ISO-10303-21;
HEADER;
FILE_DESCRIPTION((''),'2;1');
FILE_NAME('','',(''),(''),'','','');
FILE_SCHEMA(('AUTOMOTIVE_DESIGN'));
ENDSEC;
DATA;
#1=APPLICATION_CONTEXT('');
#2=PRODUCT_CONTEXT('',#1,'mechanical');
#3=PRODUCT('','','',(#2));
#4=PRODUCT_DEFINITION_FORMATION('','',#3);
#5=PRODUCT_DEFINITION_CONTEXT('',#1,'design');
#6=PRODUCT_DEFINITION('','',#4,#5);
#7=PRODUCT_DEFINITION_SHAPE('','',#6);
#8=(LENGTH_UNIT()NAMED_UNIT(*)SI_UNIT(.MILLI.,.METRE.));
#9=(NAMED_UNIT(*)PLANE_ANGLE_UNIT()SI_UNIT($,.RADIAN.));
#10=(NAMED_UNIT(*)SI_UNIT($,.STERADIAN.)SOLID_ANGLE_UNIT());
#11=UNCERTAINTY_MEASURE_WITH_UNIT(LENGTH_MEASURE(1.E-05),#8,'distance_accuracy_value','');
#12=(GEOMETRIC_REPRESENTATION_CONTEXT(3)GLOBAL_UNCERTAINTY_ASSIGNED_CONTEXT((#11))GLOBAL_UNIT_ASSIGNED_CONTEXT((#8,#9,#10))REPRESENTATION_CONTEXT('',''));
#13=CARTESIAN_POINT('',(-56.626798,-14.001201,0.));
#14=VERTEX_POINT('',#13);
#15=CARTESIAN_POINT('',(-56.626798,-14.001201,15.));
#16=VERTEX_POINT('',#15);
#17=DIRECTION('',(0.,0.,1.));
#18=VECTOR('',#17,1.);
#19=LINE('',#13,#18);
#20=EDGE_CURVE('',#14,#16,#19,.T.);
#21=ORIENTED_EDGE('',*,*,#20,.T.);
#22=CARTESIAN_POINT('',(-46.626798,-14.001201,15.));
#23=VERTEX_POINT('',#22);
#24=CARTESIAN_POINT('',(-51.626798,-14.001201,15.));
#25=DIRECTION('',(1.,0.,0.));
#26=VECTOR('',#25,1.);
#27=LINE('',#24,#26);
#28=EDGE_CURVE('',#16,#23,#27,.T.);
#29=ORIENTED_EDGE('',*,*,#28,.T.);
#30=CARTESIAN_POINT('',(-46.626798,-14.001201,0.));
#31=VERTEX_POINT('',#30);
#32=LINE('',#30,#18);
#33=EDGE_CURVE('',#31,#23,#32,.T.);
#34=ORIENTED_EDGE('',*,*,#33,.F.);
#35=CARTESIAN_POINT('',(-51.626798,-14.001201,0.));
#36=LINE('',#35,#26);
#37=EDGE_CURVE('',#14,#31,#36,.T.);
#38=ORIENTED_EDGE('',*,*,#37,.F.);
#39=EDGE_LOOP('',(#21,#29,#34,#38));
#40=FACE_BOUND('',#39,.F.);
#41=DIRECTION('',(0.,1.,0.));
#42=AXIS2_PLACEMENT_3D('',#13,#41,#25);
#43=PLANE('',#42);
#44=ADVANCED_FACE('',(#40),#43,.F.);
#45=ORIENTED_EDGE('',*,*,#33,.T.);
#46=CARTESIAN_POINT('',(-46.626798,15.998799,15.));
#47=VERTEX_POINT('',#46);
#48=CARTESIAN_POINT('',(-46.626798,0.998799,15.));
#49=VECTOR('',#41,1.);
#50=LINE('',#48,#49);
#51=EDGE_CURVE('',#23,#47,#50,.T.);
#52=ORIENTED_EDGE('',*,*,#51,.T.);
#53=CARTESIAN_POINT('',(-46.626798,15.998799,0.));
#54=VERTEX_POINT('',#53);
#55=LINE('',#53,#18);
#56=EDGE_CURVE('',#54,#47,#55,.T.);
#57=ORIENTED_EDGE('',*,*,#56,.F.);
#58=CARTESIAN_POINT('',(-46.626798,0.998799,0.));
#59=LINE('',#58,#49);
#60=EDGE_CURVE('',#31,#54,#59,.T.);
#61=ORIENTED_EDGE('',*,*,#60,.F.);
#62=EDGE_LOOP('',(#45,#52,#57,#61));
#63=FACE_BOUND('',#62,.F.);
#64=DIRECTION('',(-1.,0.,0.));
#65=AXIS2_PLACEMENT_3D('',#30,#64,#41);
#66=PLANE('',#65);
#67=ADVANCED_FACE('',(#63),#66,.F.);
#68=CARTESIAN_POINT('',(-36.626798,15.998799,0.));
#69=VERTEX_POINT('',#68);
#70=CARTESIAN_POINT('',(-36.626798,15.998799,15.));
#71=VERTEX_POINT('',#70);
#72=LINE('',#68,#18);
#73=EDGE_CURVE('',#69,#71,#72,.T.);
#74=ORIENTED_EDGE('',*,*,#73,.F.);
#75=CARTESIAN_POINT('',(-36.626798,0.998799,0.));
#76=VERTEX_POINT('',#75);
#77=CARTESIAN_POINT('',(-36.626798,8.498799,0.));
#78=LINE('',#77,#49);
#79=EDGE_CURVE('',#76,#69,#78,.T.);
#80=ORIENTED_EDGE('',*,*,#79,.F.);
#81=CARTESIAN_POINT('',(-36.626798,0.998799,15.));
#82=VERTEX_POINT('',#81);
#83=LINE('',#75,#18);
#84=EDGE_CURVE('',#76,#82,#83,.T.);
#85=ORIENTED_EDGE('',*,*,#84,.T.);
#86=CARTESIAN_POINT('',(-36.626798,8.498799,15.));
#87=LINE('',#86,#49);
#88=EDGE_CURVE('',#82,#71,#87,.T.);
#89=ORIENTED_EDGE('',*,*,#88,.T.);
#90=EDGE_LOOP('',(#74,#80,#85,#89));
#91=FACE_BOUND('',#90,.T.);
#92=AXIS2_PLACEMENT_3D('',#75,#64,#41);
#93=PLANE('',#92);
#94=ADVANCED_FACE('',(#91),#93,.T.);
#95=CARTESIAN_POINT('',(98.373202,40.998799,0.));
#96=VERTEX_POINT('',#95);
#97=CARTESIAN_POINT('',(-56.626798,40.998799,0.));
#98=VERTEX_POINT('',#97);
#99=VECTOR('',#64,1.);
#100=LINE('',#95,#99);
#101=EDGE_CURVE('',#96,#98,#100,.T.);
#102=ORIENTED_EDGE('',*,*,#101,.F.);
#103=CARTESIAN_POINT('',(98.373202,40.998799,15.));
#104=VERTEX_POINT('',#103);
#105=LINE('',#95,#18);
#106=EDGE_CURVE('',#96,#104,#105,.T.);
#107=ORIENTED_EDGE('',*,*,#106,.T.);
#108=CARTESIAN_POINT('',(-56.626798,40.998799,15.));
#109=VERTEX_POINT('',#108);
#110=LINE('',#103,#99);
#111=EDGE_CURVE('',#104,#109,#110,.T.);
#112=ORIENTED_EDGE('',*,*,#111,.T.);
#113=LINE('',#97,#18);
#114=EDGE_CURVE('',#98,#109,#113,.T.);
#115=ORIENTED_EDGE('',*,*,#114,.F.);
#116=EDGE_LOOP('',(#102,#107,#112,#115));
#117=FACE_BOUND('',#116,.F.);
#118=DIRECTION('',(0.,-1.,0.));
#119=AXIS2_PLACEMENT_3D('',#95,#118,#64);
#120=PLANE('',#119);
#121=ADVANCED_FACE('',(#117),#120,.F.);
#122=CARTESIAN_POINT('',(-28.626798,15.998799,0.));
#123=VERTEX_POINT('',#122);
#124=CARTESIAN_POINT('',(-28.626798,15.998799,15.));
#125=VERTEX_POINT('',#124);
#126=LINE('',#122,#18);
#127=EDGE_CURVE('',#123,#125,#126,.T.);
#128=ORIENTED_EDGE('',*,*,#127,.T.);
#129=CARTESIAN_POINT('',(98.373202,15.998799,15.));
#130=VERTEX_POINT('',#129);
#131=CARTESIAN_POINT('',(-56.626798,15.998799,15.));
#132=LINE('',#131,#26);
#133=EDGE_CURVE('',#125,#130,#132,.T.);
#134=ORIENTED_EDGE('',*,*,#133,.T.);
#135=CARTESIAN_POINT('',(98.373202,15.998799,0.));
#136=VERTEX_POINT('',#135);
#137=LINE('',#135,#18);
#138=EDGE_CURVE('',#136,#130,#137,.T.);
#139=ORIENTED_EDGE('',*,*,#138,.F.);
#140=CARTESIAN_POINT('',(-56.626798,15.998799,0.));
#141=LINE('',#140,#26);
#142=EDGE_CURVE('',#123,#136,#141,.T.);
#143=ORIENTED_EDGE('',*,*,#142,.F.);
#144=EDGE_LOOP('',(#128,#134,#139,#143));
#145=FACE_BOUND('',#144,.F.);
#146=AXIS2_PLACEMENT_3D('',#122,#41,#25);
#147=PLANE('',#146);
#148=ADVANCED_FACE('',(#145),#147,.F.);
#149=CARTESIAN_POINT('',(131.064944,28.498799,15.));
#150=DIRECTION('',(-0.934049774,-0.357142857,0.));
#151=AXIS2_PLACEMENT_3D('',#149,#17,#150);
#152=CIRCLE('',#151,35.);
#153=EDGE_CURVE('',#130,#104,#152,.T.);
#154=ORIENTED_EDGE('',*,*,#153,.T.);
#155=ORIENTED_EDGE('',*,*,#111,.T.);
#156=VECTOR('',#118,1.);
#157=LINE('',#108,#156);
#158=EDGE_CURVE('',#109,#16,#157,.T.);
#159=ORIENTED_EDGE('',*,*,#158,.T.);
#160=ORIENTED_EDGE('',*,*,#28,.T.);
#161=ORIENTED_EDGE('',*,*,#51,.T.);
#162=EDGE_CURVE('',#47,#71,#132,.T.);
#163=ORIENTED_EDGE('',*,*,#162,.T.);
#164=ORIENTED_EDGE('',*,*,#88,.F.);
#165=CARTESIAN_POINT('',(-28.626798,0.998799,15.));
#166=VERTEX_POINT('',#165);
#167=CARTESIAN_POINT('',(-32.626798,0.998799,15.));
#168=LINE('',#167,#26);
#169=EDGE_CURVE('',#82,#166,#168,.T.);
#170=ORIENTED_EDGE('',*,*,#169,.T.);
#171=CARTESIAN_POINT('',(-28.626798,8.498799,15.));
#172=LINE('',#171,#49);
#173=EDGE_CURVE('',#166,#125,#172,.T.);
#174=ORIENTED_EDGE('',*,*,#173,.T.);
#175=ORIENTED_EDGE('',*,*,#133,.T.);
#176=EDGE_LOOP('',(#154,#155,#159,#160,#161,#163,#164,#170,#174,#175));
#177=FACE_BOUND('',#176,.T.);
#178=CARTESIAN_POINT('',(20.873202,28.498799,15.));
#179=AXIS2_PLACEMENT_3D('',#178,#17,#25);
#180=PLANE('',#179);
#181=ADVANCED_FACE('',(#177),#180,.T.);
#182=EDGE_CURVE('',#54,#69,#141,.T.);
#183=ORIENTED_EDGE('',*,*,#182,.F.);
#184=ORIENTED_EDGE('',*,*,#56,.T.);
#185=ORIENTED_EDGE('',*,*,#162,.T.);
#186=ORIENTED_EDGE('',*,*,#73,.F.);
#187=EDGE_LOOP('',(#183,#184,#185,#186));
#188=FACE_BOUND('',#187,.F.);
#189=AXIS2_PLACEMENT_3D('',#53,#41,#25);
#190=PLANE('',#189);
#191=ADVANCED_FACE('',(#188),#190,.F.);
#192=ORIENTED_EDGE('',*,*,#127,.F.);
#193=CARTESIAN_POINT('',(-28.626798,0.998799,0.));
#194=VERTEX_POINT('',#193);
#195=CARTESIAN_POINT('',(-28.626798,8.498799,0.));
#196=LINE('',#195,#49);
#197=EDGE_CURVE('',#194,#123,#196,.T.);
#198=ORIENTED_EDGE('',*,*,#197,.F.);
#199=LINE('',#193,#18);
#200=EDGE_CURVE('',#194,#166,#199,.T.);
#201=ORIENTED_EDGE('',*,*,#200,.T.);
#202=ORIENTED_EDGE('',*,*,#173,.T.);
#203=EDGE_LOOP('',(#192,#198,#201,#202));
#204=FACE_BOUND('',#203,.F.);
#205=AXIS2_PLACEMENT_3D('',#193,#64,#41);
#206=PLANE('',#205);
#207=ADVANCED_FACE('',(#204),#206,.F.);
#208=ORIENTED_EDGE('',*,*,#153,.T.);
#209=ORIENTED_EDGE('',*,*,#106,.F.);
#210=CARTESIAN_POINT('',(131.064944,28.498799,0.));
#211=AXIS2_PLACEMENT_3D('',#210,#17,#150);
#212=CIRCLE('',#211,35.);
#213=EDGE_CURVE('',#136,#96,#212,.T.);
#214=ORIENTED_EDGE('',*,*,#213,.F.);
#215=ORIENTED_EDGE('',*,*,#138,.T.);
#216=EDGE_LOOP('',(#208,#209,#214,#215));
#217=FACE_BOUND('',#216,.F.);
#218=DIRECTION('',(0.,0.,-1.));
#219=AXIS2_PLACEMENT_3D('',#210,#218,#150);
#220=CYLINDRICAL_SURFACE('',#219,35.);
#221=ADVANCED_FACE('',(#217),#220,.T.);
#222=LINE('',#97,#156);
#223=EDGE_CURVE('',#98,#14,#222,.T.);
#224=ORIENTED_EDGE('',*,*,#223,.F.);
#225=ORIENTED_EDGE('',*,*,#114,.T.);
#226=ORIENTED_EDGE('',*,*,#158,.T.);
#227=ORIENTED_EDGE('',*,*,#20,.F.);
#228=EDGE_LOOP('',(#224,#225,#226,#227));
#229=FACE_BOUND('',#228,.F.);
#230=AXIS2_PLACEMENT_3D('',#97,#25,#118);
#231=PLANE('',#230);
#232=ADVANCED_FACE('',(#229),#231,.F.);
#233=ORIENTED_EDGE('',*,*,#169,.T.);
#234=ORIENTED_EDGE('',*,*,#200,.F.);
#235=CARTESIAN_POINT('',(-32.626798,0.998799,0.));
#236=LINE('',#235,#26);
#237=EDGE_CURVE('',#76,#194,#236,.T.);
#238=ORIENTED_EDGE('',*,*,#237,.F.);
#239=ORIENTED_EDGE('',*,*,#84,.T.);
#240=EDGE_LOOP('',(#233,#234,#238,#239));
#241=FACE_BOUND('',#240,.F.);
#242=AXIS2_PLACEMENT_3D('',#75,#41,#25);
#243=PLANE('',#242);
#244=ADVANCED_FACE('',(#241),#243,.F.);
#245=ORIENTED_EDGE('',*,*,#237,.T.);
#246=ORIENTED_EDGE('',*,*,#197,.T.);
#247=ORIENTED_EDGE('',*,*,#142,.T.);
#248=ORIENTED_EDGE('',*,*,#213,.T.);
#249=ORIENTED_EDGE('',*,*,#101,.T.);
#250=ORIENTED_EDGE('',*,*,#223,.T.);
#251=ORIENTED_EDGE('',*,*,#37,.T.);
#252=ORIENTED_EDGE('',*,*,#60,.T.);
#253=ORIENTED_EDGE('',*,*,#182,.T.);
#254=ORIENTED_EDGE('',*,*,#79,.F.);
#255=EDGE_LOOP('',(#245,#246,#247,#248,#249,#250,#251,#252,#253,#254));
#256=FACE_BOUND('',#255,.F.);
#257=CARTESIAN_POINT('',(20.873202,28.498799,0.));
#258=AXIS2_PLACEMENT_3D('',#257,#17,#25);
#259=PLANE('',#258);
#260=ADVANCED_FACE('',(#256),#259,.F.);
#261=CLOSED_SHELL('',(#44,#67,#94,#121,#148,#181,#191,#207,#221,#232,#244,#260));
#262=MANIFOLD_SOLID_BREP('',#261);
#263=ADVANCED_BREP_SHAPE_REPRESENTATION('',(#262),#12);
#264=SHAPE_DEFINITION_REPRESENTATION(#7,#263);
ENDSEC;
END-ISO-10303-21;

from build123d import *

# Parameters (mm, degrees)
F0_R     = 17.5
F0_W     = 10
F0_H     = 30
F0_W_2   = 8
F0_H_2   = 15
F1_DEPTH = 15


with BuildPart() as f1:
    # F0 (on Top) → F1 (new body)
    with BuildSketch(Plane.XY):
        Polygon((98.3732019503, 40.9987986088), (-56.6267980497, 40.9987986088), (-56.6267980497, 15.9987986088), (-46.6267980497, 15.9987986088), (-36.6267980497, 15.9987986088), (-28.6267980497, 15.9987986088), (-18.6267980497, 15.9987986088), (-11.6267980497, 15.9987986088), (-4.6267980497, 15.9987986088), (98.3732019503, 15.9987986088), align=None)
        with BuildLine():
            ThreePointArc((98.3732019503, 15.9987986088), (166.0649440268, 28.4987986088), (98.3732019503, 40.9987986088))
            Line((98.3732019503, 40.9987986088), (98.3732019503, 15.9987986088))
        make_face()
        with Locations((131.0649440268, 28.4987986088)):
            Circle(F0_R, mode=Mode.SUBTRACT)
        with Locations((131.0649440268, 28.4987986088)):
            Circle(F0_R)
        with Locations((-51.6267980497, 0.9987986088)):
            Rectangle(F0_W, F0_H)
        with Locations((-32.6267980497, 8.4987986088)):
            Rectangle(F0_W_2, F0_H_2)
    extrude(amount=F1_DEPTH)


solid = f1.part
